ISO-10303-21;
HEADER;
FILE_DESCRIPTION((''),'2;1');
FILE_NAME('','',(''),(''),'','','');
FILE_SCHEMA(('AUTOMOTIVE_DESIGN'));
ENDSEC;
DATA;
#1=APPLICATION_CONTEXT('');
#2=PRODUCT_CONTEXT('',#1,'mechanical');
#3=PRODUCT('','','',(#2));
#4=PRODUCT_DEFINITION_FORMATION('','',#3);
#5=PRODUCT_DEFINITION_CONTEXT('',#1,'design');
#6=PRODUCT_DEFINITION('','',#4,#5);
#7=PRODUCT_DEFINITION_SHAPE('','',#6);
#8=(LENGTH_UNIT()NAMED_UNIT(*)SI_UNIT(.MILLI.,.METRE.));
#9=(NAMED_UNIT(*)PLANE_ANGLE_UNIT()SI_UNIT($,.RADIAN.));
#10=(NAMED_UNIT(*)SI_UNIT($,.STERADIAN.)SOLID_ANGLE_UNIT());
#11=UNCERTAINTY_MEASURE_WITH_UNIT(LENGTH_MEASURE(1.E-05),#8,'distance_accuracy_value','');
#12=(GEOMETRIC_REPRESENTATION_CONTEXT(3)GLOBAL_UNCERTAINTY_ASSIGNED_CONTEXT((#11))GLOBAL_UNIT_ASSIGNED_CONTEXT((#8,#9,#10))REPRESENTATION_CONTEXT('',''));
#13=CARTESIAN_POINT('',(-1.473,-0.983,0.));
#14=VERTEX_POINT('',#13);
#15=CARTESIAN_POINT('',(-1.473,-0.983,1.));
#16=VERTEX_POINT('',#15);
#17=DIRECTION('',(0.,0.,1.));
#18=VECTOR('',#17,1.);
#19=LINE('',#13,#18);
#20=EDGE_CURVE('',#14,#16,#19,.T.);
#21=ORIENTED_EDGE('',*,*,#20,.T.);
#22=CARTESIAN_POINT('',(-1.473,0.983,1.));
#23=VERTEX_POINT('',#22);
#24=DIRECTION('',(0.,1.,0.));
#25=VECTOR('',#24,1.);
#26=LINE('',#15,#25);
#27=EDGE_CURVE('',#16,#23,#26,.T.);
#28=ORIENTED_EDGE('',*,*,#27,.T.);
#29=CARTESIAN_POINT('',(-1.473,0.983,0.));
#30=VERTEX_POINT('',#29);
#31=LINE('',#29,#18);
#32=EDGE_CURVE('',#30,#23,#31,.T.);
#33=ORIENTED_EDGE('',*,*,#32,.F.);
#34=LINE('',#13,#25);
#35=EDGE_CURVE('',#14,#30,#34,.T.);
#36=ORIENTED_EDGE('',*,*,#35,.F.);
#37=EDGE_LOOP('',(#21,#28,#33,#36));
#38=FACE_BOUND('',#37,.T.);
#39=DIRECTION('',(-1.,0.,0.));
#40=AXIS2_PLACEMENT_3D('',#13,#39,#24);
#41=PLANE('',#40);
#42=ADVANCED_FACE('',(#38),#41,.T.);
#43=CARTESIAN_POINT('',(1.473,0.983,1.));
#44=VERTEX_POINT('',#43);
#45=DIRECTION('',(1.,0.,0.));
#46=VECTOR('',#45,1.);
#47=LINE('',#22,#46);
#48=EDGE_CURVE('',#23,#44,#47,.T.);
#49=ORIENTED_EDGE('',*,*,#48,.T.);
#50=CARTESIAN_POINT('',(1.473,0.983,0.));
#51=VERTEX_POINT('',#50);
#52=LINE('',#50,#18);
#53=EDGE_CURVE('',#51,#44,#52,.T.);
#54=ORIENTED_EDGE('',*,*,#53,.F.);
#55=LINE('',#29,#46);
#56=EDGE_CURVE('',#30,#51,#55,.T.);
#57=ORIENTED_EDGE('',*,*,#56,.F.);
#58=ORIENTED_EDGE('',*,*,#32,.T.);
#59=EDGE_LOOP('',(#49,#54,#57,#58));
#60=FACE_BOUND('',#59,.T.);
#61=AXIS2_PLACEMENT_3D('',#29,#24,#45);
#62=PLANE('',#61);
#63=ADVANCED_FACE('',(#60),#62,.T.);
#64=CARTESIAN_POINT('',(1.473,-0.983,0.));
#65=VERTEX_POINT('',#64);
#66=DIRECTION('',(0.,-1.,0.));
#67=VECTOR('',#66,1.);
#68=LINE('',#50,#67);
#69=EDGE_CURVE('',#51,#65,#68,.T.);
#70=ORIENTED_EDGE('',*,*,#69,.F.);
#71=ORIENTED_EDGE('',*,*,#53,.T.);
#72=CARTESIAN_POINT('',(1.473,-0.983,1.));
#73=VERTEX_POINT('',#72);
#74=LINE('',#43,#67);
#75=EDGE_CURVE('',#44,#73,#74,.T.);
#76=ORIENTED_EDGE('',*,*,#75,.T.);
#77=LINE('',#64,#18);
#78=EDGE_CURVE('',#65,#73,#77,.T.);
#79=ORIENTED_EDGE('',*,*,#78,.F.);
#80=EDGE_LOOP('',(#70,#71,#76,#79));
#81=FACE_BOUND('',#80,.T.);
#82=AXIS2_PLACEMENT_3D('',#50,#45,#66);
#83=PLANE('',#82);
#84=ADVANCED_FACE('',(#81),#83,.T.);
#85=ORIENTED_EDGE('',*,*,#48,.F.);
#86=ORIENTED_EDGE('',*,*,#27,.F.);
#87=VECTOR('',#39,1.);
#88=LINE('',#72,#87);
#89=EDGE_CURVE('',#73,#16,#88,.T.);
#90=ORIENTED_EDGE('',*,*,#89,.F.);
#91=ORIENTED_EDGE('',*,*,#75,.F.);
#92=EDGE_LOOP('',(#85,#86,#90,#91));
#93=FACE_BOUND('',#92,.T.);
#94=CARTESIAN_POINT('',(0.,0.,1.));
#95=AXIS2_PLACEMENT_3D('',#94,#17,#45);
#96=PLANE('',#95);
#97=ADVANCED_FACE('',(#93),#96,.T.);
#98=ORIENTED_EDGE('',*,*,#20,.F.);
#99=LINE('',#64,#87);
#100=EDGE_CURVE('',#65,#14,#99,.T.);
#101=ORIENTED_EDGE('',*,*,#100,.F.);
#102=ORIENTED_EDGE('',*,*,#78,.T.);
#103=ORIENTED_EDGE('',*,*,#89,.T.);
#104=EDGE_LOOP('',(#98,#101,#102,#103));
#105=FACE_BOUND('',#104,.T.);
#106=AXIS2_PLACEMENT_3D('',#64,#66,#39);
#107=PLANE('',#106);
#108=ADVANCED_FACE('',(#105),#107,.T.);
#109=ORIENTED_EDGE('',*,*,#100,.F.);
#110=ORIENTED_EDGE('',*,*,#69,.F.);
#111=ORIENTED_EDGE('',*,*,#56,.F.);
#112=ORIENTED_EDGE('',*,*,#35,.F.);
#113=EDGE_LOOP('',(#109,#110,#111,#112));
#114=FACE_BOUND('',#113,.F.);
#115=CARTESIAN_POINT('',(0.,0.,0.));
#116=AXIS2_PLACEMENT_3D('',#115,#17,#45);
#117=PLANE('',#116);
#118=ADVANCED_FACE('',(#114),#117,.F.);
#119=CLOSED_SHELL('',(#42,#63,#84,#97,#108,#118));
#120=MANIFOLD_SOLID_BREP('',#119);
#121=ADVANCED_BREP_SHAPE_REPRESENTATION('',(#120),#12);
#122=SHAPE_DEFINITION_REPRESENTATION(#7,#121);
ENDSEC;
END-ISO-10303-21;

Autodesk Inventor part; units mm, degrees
ref_plane "YZ Plane" through (0, 0, 0) normal (1, 0, 0) x (0, 1, 0)
ref_plane "XZ Plane" through (0, 0, 0) normal (0, 1, 0) x (-1, 0, 0)
ref_plane "XY Plane" through (0, 0, 0) normal (0, 0, 1) x (1, 0, 0)
sketch "R0603, 100_56" plane through (0, 0, 0) normal (0, 0, 1) x (1, 0, 0)
  line L0 (-1.473, 0.983) -> (1.473, 0.983)
  line L1 (1.473, 0.983) -> (1.473, -0.983)
  line L2 (1.473, -0.983) -> (-1.473, -0.983)
  line L3 (-1.473, -0.983) -> (-1.473, 0.983)
extrude "Extrusion1" add sketch "R0603, 100_56" along normal blind 1
properties part number "100"
